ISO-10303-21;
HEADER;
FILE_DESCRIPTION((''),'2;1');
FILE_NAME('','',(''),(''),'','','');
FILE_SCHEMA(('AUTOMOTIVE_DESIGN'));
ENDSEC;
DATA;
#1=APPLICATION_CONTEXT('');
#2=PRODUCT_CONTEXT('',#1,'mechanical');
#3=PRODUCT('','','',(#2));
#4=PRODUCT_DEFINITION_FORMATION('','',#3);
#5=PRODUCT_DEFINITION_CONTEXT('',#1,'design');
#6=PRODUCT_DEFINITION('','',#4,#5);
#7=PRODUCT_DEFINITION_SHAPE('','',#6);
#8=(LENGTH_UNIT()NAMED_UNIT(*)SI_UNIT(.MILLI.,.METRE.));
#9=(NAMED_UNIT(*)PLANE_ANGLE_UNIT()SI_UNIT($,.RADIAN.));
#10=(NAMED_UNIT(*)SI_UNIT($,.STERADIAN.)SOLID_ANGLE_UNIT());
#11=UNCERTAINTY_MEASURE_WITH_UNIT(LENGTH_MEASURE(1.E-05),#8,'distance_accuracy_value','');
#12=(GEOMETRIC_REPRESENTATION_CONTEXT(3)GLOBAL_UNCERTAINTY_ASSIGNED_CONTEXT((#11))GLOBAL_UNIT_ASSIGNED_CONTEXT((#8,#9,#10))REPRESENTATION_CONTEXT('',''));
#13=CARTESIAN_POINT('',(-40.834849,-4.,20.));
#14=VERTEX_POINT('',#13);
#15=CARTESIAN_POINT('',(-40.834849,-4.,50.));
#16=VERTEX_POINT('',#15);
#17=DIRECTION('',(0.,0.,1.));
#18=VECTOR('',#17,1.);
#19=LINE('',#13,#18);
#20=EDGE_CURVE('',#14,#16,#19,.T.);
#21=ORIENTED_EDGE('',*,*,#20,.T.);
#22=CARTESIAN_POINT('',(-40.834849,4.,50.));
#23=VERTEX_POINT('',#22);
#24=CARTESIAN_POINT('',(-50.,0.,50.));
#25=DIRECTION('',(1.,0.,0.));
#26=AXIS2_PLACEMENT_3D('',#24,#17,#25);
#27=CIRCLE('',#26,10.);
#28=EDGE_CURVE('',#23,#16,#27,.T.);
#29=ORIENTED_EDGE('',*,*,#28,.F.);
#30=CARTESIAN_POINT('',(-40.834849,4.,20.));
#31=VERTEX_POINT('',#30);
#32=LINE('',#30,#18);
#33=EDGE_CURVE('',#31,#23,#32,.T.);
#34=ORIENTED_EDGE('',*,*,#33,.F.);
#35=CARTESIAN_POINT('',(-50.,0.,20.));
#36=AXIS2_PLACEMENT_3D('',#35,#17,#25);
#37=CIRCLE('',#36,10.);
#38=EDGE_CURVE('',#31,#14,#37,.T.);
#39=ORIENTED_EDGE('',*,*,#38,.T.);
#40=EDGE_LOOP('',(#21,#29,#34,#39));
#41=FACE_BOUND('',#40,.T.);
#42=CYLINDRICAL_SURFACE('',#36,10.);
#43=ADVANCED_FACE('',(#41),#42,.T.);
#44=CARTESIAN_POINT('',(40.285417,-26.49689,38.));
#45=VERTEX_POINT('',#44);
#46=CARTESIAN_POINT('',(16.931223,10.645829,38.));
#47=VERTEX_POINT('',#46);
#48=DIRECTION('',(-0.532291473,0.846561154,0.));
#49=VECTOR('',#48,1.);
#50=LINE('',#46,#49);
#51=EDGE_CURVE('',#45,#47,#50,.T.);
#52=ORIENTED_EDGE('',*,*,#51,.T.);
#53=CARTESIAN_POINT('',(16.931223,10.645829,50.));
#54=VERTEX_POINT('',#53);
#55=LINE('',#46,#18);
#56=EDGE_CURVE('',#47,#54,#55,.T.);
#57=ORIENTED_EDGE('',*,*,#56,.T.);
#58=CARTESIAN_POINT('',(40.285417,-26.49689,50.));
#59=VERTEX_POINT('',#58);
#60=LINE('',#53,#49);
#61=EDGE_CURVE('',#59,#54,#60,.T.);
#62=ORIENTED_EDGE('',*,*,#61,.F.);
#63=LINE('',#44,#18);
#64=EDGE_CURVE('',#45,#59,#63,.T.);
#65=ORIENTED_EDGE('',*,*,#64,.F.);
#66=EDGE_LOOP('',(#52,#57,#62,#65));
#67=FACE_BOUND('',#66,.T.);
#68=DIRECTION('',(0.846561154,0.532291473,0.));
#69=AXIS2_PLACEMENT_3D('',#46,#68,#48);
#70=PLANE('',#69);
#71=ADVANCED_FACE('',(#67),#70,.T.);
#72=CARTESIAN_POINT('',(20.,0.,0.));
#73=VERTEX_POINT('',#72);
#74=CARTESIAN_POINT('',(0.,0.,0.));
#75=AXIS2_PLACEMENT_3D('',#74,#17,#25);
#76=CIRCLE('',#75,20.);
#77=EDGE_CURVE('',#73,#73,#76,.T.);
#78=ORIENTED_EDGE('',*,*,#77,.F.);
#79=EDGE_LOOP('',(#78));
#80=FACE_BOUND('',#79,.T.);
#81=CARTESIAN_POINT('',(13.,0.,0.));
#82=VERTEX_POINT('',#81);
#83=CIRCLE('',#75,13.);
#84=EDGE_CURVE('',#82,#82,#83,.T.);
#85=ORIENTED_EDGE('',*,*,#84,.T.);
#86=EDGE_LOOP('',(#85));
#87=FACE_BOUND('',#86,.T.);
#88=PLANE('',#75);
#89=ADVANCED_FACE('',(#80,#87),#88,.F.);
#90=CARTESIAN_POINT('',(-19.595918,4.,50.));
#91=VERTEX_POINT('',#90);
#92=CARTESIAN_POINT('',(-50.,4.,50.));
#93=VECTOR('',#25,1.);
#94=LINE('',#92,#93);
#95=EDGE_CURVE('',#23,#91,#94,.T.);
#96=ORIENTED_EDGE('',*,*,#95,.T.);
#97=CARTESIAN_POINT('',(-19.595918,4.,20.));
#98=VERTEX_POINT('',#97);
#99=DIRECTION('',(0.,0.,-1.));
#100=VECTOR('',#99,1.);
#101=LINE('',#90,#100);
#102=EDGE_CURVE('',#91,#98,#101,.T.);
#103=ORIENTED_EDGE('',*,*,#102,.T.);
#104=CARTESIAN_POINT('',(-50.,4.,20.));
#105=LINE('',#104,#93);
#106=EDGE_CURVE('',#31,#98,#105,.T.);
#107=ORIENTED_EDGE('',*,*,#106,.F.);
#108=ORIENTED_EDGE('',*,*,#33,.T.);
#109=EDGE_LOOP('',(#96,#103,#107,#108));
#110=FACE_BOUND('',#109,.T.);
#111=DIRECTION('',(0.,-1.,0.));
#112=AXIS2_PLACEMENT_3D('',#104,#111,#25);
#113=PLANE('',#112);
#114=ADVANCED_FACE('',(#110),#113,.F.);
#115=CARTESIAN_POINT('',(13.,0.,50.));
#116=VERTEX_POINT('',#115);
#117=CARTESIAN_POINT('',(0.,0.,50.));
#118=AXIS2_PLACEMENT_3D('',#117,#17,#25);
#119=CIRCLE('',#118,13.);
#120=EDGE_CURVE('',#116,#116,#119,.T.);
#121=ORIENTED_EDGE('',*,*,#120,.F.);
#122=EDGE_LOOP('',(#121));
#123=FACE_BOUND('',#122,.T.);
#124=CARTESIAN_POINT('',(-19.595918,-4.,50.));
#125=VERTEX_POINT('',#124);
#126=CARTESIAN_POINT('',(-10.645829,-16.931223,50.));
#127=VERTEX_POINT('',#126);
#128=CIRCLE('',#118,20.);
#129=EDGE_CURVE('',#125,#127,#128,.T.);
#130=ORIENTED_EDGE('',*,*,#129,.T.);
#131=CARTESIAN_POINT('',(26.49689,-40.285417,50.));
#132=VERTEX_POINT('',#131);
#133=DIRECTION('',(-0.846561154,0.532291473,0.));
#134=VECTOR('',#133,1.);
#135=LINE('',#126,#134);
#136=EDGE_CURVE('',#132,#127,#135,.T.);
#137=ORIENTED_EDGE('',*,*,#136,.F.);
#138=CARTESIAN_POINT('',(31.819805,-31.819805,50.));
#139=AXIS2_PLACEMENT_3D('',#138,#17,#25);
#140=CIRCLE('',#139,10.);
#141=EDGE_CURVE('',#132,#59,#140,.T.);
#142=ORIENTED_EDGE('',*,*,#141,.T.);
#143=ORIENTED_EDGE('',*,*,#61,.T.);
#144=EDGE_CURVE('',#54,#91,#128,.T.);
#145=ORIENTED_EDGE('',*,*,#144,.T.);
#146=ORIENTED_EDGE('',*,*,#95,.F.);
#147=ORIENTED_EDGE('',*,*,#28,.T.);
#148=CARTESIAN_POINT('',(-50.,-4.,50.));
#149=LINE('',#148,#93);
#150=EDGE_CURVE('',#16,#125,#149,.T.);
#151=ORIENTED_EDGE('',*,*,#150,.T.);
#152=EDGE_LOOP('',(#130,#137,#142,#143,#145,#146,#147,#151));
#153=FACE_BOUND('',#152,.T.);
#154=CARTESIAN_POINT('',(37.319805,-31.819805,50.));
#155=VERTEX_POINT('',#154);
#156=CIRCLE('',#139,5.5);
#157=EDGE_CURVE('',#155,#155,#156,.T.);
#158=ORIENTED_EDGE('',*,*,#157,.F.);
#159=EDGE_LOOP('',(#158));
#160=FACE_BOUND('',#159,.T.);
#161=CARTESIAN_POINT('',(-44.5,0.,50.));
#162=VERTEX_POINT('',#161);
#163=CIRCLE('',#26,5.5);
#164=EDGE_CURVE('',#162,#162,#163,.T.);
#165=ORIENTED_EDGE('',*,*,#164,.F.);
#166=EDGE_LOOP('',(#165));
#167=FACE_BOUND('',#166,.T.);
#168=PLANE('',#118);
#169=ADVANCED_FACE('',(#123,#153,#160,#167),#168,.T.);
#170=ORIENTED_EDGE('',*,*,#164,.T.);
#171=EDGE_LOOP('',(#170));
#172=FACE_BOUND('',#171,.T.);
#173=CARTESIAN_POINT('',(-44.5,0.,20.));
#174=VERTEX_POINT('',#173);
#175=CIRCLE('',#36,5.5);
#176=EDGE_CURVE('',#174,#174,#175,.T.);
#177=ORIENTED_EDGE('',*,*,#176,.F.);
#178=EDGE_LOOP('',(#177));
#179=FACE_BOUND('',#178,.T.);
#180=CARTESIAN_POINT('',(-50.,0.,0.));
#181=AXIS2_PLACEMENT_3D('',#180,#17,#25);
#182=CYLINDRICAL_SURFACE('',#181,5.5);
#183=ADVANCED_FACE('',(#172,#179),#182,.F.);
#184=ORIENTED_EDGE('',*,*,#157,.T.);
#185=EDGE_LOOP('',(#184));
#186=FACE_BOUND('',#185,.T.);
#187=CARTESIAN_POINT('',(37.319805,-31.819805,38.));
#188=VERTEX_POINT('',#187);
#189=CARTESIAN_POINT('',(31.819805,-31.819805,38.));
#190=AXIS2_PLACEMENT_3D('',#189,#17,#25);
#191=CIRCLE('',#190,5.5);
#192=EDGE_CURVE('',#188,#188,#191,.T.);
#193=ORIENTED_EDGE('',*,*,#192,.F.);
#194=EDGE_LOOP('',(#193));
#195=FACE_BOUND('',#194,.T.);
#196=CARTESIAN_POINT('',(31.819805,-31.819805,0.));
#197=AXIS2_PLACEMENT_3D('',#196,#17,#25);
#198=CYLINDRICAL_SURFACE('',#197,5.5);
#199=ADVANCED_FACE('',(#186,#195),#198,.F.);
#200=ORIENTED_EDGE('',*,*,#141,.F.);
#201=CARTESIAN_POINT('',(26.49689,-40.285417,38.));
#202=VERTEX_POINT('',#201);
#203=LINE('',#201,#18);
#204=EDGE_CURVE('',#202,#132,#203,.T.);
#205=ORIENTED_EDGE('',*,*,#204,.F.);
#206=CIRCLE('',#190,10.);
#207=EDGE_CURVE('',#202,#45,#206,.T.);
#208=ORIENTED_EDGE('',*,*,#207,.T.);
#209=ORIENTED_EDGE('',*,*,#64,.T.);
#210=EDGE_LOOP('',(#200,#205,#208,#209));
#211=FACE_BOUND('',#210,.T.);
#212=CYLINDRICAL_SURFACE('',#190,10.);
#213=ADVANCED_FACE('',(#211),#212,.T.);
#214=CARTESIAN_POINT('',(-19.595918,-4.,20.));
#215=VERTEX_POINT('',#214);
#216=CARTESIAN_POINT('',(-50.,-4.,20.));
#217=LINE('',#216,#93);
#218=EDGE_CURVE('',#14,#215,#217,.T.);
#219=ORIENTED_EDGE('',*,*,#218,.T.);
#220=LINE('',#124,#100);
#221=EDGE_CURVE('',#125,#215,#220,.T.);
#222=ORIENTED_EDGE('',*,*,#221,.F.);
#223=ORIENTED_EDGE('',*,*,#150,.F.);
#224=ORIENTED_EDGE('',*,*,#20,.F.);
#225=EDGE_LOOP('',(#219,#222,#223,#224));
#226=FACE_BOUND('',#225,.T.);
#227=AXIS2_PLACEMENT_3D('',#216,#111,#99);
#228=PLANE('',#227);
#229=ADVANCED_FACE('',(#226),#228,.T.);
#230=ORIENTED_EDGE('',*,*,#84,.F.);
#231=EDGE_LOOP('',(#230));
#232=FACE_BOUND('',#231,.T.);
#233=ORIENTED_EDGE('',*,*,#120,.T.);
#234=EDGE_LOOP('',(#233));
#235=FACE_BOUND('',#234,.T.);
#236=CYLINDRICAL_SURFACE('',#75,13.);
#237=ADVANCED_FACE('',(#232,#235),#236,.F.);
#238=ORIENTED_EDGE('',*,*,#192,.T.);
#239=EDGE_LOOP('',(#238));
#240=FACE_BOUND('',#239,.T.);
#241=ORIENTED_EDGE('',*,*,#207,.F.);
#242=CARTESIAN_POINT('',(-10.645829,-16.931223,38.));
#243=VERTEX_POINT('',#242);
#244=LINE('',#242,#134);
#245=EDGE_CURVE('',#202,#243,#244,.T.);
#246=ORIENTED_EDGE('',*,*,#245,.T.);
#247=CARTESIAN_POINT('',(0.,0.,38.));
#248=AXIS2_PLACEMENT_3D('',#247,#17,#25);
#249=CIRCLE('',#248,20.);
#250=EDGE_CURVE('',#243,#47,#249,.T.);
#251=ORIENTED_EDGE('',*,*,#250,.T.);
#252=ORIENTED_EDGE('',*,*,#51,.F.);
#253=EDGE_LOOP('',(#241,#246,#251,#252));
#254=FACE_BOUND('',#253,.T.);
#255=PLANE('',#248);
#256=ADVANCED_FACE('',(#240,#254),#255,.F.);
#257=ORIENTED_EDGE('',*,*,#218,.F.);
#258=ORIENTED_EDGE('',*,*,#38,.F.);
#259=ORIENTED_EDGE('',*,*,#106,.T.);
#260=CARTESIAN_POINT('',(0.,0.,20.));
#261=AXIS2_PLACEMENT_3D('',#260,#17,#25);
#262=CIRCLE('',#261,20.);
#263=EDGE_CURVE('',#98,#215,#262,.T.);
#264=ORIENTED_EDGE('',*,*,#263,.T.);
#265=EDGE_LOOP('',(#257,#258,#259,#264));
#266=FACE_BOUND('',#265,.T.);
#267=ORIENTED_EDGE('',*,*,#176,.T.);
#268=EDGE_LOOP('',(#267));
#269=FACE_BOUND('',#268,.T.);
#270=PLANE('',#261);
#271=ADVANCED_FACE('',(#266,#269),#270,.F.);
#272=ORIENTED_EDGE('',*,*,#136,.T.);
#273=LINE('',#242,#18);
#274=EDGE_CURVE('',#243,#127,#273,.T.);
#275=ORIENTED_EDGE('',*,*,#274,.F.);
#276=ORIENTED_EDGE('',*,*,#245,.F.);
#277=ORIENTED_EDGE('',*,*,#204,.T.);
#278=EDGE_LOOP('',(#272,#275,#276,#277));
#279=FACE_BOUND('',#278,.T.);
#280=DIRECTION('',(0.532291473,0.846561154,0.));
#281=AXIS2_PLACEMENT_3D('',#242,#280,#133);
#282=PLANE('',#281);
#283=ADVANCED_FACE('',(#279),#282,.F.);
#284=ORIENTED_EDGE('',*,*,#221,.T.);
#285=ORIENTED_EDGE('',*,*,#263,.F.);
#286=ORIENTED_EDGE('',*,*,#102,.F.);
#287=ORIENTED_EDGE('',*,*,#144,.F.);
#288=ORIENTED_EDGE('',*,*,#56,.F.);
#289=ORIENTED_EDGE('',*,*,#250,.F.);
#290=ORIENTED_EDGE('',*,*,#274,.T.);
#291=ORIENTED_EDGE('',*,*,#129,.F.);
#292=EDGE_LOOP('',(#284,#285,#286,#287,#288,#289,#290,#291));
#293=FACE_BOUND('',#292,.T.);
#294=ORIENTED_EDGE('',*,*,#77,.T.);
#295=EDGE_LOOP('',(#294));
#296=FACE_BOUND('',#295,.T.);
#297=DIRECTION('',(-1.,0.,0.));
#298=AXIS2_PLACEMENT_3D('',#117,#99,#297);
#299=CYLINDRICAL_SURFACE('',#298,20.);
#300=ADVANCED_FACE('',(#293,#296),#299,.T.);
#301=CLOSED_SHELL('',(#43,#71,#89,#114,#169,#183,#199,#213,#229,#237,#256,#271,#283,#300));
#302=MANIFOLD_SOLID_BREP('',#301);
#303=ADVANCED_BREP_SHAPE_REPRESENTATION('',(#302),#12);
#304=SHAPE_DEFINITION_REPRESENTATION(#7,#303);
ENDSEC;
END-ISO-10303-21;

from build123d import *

# Parameters (mm, degrees)
SKETCH_2_R          = 20
EXTRUDE_2_DEPTH     = 50
SKETCH_3_R          = 10
SKETCH_3_W          = 50
SKETCH_3_H          = 8
EXTRUDE_3_DEPTH     = 30
EXTRUDE_START       = -12
SKETCH_4_R          = 10
EXTRUDE_4_DEPTH     = 12
SKETCH_5_R          = 13
SKETCH_5_R_2        = 5.5
CUT_EXTRUDE_1_DEPTH = 89.593995864


with BuildPart() as part:
    # Эскиз2 → Бобышка-Вытянуть2 (new body)
    with BuildSketch(Plane.XY):
        Circle(SKETCH_2_R)
    extrude(amount=EXTRUDE_2_DEPTH)

    # Эскиз3 → Бобышка-Вытянуть3 (add)
    with BuildSketch(Plane.XY.offset(50)):
        with Locations((-50, 0)):
            Circle(SKETCH_3_R)
        with Locations((-25, 0)):
            Rectangle(SKETCH_3_W, SKETCH_3_H)
    extrude(amount=-EXTRUDE_3_DEPTH)

    # Эскиз4 → Бобышка-Вытянуть4 (add)
    with BuildSketch(Plane.XY.offset(50).offset(EXTRUDE_START)):
        with BuildLine():
            Line((-10.645829468, -16.931223079), (26.496890419, -40.285416693))
            ThreePointArc((26.496890419, -40.285416693), (24.748737342, -24.748737342), (40.285416693, -26.496890419))
            Line((40.285416693, -26.496890419), (16.931223079, 10.645829468))
            ThreePointArc((16.931223079, 10.645829468), (14.142135624, -14.142135624), (-10.645829468, -16.931223079))
        make_face()
        with Locations((31.819805153, -31.819805153)):
            Circle(SKETCH_4_R)
    extrude(amount=EXTRUDE_4_DEPTH)

    # Эскиз5 → Вырез-Вытянуть1 (cut, through all)
    with BuildSketch(Plane.XY.offset(50)):
        Circle(SKETCH_5_R)
        with Locations((-50, 0)):
            Circle(SKETCH_5_R_2)
        with Locations((31.819805153, -31.819805153)):
            Circle(SKETCH_5_R_2)
    extrude(amount=-CUT_EXTRUDE_1_DEPTH, mode=Mode.SUBTRACT)


solid = part.part
